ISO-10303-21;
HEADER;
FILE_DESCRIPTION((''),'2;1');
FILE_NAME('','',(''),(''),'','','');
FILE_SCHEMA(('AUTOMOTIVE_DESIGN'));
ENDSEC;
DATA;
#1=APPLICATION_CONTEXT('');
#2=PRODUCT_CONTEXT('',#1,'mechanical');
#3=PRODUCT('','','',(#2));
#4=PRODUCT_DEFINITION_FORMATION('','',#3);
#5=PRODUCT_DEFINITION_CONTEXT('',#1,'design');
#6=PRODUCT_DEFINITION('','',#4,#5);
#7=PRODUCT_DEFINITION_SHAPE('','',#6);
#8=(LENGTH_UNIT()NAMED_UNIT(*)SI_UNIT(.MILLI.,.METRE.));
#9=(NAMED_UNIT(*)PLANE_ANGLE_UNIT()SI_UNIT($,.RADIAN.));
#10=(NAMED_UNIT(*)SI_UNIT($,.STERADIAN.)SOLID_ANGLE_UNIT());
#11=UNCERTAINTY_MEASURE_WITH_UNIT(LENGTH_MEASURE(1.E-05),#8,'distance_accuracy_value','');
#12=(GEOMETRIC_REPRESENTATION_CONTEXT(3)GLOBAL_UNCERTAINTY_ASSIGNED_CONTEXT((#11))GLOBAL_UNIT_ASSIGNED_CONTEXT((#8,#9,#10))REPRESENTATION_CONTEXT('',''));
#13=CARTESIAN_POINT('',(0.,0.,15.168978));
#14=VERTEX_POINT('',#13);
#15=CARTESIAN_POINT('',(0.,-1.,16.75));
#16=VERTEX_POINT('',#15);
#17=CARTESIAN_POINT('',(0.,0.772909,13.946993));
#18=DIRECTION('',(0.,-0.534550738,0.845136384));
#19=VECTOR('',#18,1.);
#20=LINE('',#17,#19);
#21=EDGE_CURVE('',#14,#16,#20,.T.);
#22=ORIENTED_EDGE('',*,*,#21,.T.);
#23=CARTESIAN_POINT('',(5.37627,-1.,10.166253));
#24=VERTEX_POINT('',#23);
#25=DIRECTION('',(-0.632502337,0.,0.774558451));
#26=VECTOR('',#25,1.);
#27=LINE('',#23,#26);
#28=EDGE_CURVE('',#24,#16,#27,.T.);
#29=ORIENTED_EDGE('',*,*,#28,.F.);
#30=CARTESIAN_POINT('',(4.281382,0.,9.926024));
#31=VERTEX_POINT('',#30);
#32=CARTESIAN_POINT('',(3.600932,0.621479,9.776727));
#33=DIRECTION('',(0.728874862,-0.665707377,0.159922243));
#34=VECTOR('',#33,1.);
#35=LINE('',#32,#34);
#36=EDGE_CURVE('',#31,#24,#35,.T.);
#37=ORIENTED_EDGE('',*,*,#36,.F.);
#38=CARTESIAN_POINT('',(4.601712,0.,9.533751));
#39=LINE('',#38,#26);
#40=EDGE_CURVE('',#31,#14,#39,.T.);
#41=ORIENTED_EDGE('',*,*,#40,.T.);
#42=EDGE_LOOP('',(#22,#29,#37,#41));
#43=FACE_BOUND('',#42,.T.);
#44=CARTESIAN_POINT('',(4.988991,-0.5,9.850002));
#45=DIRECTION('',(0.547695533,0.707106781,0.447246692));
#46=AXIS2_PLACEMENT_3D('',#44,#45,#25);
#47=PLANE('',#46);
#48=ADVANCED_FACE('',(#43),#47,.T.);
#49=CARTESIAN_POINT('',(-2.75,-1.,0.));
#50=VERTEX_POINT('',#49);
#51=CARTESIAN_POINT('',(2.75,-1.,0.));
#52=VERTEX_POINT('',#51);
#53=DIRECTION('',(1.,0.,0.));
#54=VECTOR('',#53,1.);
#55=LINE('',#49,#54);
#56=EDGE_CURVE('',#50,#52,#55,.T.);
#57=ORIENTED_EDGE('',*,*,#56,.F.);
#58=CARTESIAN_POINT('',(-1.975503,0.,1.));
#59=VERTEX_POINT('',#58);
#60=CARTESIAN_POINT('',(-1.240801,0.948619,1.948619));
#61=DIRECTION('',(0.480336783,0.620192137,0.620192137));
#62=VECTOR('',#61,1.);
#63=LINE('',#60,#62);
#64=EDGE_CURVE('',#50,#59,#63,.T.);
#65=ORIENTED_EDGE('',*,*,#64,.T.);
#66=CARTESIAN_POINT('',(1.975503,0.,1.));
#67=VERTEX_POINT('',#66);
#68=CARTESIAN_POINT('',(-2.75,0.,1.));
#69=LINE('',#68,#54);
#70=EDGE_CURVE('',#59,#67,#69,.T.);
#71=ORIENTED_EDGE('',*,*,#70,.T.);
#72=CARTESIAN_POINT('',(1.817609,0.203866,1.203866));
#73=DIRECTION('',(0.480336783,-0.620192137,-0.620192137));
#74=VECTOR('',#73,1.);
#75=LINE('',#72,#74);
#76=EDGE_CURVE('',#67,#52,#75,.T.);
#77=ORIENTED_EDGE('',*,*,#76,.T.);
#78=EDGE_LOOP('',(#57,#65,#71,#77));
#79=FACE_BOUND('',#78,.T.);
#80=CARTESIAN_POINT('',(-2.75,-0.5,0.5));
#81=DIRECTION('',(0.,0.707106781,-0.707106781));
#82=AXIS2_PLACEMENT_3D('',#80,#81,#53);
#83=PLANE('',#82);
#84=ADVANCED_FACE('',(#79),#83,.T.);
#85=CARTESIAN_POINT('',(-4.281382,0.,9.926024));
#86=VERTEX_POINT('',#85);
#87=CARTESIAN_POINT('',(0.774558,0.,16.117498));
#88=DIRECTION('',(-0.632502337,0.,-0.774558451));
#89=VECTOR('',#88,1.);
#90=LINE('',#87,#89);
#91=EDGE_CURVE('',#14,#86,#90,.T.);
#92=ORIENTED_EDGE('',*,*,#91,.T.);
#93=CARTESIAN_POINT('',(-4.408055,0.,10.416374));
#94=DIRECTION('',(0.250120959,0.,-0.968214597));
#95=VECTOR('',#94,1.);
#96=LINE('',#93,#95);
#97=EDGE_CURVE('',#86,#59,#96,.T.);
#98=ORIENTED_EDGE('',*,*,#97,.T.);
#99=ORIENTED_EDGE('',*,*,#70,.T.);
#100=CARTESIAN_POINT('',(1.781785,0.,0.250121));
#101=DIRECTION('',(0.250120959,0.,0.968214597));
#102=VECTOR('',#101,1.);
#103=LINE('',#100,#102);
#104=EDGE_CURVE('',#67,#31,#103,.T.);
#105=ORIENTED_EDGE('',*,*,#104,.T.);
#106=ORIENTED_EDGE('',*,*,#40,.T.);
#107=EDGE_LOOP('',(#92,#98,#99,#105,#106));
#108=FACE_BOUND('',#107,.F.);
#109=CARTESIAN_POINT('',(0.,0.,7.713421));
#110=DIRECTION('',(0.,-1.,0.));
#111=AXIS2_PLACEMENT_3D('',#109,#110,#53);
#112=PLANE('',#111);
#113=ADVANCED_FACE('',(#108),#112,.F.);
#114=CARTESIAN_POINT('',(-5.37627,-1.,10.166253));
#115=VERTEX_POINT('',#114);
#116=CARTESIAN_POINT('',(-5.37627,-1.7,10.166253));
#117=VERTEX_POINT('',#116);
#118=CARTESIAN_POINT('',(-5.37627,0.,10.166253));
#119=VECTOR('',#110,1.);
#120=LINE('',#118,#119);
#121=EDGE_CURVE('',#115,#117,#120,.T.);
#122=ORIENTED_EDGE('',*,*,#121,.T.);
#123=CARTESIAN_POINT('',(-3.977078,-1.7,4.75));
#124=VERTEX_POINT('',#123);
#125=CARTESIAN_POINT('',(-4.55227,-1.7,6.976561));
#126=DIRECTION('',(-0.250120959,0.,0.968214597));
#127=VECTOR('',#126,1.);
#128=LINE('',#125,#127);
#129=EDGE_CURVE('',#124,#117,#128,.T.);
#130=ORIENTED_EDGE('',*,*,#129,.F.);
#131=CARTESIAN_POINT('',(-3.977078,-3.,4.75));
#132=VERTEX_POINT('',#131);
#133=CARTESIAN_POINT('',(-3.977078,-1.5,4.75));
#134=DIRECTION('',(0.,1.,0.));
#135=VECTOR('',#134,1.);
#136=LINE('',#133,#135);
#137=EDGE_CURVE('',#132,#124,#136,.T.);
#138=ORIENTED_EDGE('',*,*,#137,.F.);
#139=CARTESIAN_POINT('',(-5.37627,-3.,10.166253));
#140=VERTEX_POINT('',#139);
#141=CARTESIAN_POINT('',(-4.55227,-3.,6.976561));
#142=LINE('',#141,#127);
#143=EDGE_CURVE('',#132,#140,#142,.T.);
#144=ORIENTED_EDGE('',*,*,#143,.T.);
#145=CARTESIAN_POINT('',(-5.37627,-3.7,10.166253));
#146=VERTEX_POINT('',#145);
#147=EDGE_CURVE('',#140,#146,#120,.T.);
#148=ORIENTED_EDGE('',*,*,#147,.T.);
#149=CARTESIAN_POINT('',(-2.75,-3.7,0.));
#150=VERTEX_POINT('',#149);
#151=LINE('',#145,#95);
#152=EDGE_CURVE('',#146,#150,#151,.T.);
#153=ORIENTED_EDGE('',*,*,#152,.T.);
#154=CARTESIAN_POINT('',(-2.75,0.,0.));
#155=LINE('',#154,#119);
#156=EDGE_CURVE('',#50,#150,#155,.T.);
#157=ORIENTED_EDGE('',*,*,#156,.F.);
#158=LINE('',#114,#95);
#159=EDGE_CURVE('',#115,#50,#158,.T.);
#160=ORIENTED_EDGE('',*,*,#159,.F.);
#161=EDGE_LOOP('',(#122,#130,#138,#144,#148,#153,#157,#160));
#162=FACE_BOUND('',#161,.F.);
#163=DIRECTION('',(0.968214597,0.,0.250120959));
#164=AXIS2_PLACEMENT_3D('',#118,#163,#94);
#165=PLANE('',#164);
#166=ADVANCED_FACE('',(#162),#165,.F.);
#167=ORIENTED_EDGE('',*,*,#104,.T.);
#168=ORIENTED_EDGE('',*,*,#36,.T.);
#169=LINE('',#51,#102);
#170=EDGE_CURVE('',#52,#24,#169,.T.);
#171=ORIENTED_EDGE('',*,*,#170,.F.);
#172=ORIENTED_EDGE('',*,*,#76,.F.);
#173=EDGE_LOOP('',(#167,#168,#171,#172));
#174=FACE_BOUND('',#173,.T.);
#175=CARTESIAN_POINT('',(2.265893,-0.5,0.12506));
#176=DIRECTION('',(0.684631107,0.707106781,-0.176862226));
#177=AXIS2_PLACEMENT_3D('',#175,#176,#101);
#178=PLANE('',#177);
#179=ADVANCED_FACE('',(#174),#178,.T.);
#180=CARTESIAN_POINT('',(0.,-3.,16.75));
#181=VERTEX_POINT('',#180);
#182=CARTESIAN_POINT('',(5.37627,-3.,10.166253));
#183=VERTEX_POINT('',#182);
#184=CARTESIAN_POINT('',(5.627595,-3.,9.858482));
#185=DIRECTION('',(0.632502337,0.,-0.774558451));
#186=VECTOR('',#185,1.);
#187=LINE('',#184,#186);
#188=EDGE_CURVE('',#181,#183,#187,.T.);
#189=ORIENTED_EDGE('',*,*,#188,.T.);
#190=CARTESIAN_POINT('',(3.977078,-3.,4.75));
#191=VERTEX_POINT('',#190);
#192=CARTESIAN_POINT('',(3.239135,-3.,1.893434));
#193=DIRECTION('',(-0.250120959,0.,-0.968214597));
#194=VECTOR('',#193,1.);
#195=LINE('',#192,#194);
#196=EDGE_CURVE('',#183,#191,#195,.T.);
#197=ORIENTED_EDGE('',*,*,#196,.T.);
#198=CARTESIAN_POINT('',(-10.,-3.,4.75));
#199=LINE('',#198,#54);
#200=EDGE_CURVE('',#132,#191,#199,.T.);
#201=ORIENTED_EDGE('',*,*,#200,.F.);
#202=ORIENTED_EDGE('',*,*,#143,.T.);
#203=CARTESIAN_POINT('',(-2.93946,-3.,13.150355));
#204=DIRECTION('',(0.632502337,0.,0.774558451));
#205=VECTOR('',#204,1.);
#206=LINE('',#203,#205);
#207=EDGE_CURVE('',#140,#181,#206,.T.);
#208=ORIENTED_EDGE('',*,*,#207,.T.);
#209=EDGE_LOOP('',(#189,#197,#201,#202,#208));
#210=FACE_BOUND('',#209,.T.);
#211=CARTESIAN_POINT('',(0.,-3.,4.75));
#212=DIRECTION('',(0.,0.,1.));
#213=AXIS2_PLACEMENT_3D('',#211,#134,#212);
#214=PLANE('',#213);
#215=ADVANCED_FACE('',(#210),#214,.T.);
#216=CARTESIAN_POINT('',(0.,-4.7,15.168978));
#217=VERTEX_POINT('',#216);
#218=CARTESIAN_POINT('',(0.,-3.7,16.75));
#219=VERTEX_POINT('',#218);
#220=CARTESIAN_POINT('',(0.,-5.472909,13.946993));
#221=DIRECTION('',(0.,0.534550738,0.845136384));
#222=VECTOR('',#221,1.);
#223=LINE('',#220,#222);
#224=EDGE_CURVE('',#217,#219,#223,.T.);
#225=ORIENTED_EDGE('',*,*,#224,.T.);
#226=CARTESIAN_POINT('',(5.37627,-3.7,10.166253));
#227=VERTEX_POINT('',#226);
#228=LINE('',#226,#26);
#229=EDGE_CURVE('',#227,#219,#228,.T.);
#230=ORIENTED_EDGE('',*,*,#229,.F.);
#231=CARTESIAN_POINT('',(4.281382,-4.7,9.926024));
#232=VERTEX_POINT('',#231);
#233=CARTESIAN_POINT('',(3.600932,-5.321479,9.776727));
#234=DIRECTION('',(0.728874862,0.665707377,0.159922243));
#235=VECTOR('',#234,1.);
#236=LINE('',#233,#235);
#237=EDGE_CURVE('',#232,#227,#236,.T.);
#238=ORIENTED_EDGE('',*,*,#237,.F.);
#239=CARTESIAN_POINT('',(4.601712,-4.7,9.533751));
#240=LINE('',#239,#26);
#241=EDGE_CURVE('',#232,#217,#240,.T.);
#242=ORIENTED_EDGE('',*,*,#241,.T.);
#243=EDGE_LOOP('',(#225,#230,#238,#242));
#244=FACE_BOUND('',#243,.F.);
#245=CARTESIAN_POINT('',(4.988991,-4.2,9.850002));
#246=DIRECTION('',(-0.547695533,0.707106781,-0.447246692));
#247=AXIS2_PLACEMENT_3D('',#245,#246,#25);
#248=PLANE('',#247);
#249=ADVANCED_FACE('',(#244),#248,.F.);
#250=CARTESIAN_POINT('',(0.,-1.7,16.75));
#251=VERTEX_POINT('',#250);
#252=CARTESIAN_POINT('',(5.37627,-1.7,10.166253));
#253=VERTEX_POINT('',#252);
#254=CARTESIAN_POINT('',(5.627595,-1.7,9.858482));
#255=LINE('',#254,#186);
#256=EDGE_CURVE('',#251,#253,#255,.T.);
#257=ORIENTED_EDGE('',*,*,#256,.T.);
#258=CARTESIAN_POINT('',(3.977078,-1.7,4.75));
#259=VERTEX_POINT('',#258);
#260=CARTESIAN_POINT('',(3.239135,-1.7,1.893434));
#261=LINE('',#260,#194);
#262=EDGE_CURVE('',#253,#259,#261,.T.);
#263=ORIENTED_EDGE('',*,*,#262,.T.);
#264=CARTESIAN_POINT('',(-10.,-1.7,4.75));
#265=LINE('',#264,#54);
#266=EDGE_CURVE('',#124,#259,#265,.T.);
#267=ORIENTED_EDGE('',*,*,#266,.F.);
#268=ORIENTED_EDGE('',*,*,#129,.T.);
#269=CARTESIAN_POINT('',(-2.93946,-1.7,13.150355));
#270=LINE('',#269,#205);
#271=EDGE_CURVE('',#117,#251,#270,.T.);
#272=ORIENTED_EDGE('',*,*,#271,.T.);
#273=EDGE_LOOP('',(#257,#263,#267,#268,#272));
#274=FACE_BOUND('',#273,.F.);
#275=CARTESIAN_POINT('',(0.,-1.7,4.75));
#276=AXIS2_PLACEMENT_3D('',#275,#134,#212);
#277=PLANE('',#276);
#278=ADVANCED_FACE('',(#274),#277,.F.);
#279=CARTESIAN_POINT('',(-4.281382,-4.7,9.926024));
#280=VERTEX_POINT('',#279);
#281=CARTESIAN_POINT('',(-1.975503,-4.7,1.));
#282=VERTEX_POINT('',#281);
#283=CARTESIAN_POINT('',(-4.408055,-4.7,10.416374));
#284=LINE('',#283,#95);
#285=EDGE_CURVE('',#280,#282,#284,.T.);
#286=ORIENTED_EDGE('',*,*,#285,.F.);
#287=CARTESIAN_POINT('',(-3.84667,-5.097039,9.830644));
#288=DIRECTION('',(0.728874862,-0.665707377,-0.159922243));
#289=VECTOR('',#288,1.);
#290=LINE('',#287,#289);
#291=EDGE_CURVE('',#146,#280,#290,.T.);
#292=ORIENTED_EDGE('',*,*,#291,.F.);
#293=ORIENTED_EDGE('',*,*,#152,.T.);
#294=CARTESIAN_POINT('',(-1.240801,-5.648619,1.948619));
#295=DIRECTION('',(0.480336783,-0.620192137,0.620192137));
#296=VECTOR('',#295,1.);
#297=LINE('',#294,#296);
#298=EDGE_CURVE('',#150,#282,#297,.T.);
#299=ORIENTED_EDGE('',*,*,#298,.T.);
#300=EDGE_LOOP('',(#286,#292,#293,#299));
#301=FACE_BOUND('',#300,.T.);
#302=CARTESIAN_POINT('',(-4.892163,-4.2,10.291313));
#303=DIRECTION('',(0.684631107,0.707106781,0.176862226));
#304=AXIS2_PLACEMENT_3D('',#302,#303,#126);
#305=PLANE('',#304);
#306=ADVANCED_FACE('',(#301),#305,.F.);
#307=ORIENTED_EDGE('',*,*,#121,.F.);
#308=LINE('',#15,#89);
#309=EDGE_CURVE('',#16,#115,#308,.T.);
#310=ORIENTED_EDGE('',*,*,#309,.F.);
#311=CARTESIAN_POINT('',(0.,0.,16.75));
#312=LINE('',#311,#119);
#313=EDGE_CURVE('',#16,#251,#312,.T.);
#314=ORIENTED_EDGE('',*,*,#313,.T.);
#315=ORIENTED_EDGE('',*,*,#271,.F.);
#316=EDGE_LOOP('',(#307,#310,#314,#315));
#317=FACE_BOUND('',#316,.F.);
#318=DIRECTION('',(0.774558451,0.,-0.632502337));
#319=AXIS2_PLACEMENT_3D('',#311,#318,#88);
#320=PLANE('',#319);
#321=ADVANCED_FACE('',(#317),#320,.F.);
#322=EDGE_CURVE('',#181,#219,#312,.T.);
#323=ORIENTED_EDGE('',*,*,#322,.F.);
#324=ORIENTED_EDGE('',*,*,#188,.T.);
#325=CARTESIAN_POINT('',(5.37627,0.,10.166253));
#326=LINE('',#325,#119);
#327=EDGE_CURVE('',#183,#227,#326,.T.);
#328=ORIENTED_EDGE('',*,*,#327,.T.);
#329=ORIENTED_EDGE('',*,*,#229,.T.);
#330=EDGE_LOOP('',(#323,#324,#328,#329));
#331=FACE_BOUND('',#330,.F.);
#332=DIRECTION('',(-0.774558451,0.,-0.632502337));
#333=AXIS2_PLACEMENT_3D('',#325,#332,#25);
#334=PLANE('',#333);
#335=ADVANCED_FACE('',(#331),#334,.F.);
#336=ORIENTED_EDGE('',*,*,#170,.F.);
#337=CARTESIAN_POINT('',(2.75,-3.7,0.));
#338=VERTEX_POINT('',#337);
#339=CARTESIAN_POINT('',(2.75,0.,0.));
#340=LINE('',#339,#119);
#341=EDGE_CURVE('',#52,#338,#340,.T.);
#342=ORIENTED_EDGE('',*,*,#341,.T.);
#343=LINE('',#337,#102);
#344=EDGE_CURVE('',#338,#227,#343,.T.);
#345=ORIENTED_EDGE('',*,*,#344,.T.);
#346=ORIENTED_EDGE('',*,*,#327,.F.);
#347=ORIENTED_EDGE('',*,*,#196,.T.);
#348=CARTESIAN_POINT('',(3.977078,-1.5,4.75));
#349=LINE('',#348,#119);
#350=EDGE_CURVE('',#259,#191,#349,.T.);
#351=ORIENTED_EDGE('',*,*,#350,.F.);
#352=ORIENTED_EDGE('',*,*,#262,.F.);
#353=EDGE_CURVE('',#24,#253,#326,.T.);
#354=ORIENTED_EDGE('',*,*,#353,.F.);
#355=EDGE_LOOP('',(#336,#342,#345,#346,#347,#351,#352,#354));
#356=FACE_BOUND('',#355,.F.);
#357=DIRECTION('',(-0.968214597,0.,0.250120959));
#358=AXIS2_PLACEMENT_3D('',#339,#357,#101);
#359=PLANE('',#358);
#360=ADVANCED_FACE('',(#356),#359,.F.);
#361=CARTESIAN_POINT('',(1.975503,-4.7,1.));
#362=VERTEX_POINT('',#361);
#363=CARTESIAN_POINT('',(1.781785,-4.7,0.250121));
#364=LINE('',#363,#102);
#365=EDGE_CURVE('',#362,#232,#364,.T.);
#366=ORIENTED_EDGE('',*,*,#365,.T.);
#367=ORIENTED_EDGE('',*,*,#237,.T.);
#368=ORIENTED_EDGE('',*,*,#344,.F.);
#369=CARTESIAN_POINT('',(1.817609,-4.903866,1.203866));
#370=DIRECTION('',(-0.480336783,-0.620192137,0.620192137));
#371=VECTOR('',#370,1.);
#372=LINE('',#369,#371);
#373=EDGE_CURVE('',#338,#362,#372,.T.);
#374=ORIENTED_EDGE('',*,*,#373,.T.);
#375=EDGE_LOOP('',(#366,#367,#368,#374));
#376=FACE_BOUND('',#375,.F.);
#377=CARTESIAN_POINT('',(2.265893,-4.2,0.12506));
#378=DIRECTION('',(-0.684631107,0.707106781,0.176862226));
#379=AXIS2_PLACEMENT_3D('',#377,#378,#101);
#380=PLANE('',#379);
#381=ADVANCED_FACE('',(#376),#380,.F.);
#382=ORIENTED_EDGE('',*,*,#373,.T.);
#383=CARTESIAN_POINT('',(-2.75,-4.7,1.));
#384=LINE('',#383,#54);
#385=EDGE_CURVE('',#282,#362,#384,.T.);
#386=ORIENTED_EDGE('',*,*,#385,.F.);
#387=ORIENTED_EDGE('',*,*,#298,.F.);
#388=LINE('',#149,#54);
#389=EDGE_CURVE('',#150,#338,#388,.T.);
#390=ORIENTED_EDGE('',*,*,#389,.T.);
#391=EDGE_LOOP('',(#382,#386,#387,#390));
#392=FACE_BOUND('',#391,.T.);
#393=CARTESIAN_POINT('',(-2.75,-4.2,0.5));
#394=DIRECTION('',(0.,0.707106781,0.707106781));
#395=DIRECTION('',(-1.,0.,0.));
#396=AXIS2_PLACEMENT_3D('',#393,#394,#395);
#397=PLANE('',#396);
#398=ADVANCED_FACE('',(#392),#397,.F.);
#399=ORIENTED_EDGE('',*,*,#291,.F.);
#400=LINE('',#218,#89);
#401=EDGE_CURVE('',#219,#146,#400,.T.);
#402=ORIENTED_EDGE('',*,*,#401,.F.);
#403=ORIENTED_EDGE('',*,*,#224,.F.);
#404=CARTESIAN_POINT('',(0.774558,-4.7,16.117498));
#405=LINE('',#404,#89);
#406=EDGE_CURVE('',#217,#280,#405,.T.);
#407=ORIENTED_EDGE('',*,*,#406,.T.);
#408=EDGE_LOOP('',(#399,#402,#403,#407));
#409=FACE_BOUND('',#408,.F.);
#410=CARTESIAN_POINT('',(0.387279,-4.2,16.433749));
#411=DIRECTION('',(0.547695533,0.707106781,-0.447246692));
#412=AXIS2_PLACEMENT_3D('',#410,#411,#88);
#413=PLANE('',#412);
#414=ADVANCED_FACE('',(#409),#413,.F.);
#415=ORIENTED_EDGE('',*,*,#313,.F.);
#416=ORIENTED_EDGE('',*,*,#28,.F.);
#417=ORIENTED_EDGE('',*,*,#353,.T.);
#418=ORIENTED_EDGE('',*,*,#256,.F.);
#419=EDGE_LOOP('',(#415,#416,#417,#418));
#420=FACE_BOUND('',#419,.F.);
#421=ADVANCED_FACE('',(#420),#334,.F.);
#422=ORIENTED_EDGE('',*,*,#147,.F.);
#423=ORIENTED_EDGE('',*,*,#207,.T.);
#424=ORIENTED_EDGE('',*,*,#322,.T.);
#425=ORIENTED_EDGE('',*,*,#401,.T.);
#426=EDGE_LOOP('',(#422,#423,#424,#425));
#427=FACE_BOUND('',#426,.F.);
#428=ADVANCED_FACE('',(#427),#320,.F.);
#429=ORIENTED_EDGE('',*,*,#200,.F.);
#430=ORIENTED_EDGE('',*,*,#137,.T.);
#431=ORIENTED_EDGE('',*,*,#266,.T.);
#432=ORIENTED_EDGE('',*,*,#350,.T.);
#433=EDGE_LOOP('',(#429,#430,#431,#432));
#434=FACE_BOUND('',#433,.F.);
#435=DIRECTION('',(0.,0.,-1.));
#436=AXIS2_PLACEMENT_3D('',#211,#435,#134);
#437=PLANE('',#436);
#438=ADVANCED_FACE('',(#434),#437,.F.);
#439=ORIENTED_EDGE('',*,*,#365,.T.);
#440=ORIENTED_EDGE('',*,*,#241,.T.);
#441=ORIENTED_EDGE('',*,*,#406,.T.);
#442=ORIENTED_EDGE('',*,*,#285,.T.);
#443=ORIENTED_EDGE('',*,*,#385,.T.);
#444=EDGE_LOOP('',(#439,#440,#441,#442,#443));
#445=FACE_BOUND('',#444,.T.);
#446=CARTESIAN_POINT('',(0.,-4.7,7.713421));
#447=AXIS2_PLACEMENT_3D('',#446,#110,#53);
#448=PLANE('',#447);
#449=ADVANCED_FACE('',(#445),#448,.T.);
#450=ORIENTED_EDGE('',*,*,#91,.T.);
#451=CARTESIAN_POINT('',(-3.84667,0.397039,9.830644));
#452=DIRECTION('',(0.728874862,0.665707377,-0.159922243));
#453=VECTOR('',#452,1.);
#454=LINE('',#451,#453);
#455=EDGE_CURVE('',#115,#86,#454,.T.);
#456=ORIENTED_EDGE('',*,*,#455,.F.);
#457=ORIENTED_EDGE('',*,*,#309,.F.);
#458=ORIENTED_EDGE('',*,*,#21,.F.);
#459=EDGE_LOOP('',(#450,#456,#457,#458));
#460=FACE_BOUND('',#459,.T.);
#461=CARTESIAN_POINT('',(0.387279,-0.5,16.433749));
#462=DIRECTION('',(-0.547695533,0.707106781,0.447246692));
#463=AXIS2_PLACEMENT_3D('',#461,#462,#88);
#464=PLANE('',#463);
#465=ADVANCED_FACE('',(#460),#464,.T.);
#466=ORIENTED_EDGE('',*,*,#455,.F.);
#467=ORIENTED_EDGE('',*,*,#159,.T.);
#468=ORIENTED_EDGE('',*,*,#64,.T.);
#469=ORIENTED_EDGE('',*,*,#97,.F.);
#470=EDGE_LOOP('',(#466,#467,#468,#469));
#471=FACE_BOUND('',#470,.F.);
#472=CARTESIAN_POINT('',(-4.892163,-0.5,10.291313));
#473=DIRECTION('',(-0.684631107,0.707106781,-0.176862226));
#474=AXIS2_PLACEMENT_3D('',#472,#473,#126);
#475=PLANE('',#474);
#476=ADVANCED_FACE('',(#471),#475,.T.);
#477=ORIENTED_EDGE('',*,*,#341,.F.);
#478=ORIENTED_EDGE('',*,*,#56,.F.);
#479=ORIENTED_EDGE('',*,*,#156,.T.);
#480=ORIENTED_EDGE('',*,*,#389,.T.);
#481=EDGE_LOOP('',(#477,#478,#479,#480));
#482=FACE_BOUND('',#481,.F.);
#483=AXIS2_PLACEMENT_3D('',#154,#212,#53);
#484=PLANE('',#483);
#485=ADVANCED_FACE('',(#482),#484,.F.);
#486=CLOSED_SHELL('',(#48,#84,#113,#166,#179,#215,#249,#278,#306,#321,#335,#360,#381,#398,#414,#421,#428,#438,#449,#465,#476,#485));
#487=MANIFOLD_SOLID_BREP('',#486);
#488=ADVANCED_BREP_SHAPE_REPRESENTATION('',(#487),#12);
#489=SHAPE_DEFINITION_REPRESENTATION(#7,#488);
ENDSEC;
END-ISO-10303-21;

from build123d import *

# Parameters (mm, degrees)
F1_DEPTH = 4.7
F2_W     = 1.3
F2_H     = 12
F3_DEPTH = 10
F4_SIZE  = 1


with BuildPart() as f1:
    # F0 (on Front) → F1 (new body)
    with BuildSketch(Plane.XZ):
        Polygon((-5.37627, 10.166253), (-2.75, 0), (2.75, 0), (5.37627, 10.166253), (0, 16.75), align=None)
    extrude(amount=F1_DEPTH)

    # F2 (on Right) → F3 (cut, symmetric)
    with BuildSketch(Plane.YZ):
        with Locations((-2.35, 10.75)):
            Rectangle(F2_W, F2_H)
    extrude(amount=F3_DEPTH, both=True, mode=Mode.SUBTRACT)

    # F4
    f4_edges = [f1.edges().sort_by_distance(p)[0] for p in [
        (-4.063135, -4.7, 5.083127),
        (0, -4.7, 0),
        (4.063135, -4.7, 5.083127),
        (2.688135, -4.7, 13.458127),
        (-2.688135, -4.7, 13.458127),
        (-4.063135, 0, 5.083127),
        (0, 0, 0),
        (4.063135, 0, 5.083127),
        (2.688135, 0, 13.458127),
        (-2.688135, 0, 13.458127),
    ]]
    chamfer(f4_edges, length=F4_SIZE)


solid = f1.part
